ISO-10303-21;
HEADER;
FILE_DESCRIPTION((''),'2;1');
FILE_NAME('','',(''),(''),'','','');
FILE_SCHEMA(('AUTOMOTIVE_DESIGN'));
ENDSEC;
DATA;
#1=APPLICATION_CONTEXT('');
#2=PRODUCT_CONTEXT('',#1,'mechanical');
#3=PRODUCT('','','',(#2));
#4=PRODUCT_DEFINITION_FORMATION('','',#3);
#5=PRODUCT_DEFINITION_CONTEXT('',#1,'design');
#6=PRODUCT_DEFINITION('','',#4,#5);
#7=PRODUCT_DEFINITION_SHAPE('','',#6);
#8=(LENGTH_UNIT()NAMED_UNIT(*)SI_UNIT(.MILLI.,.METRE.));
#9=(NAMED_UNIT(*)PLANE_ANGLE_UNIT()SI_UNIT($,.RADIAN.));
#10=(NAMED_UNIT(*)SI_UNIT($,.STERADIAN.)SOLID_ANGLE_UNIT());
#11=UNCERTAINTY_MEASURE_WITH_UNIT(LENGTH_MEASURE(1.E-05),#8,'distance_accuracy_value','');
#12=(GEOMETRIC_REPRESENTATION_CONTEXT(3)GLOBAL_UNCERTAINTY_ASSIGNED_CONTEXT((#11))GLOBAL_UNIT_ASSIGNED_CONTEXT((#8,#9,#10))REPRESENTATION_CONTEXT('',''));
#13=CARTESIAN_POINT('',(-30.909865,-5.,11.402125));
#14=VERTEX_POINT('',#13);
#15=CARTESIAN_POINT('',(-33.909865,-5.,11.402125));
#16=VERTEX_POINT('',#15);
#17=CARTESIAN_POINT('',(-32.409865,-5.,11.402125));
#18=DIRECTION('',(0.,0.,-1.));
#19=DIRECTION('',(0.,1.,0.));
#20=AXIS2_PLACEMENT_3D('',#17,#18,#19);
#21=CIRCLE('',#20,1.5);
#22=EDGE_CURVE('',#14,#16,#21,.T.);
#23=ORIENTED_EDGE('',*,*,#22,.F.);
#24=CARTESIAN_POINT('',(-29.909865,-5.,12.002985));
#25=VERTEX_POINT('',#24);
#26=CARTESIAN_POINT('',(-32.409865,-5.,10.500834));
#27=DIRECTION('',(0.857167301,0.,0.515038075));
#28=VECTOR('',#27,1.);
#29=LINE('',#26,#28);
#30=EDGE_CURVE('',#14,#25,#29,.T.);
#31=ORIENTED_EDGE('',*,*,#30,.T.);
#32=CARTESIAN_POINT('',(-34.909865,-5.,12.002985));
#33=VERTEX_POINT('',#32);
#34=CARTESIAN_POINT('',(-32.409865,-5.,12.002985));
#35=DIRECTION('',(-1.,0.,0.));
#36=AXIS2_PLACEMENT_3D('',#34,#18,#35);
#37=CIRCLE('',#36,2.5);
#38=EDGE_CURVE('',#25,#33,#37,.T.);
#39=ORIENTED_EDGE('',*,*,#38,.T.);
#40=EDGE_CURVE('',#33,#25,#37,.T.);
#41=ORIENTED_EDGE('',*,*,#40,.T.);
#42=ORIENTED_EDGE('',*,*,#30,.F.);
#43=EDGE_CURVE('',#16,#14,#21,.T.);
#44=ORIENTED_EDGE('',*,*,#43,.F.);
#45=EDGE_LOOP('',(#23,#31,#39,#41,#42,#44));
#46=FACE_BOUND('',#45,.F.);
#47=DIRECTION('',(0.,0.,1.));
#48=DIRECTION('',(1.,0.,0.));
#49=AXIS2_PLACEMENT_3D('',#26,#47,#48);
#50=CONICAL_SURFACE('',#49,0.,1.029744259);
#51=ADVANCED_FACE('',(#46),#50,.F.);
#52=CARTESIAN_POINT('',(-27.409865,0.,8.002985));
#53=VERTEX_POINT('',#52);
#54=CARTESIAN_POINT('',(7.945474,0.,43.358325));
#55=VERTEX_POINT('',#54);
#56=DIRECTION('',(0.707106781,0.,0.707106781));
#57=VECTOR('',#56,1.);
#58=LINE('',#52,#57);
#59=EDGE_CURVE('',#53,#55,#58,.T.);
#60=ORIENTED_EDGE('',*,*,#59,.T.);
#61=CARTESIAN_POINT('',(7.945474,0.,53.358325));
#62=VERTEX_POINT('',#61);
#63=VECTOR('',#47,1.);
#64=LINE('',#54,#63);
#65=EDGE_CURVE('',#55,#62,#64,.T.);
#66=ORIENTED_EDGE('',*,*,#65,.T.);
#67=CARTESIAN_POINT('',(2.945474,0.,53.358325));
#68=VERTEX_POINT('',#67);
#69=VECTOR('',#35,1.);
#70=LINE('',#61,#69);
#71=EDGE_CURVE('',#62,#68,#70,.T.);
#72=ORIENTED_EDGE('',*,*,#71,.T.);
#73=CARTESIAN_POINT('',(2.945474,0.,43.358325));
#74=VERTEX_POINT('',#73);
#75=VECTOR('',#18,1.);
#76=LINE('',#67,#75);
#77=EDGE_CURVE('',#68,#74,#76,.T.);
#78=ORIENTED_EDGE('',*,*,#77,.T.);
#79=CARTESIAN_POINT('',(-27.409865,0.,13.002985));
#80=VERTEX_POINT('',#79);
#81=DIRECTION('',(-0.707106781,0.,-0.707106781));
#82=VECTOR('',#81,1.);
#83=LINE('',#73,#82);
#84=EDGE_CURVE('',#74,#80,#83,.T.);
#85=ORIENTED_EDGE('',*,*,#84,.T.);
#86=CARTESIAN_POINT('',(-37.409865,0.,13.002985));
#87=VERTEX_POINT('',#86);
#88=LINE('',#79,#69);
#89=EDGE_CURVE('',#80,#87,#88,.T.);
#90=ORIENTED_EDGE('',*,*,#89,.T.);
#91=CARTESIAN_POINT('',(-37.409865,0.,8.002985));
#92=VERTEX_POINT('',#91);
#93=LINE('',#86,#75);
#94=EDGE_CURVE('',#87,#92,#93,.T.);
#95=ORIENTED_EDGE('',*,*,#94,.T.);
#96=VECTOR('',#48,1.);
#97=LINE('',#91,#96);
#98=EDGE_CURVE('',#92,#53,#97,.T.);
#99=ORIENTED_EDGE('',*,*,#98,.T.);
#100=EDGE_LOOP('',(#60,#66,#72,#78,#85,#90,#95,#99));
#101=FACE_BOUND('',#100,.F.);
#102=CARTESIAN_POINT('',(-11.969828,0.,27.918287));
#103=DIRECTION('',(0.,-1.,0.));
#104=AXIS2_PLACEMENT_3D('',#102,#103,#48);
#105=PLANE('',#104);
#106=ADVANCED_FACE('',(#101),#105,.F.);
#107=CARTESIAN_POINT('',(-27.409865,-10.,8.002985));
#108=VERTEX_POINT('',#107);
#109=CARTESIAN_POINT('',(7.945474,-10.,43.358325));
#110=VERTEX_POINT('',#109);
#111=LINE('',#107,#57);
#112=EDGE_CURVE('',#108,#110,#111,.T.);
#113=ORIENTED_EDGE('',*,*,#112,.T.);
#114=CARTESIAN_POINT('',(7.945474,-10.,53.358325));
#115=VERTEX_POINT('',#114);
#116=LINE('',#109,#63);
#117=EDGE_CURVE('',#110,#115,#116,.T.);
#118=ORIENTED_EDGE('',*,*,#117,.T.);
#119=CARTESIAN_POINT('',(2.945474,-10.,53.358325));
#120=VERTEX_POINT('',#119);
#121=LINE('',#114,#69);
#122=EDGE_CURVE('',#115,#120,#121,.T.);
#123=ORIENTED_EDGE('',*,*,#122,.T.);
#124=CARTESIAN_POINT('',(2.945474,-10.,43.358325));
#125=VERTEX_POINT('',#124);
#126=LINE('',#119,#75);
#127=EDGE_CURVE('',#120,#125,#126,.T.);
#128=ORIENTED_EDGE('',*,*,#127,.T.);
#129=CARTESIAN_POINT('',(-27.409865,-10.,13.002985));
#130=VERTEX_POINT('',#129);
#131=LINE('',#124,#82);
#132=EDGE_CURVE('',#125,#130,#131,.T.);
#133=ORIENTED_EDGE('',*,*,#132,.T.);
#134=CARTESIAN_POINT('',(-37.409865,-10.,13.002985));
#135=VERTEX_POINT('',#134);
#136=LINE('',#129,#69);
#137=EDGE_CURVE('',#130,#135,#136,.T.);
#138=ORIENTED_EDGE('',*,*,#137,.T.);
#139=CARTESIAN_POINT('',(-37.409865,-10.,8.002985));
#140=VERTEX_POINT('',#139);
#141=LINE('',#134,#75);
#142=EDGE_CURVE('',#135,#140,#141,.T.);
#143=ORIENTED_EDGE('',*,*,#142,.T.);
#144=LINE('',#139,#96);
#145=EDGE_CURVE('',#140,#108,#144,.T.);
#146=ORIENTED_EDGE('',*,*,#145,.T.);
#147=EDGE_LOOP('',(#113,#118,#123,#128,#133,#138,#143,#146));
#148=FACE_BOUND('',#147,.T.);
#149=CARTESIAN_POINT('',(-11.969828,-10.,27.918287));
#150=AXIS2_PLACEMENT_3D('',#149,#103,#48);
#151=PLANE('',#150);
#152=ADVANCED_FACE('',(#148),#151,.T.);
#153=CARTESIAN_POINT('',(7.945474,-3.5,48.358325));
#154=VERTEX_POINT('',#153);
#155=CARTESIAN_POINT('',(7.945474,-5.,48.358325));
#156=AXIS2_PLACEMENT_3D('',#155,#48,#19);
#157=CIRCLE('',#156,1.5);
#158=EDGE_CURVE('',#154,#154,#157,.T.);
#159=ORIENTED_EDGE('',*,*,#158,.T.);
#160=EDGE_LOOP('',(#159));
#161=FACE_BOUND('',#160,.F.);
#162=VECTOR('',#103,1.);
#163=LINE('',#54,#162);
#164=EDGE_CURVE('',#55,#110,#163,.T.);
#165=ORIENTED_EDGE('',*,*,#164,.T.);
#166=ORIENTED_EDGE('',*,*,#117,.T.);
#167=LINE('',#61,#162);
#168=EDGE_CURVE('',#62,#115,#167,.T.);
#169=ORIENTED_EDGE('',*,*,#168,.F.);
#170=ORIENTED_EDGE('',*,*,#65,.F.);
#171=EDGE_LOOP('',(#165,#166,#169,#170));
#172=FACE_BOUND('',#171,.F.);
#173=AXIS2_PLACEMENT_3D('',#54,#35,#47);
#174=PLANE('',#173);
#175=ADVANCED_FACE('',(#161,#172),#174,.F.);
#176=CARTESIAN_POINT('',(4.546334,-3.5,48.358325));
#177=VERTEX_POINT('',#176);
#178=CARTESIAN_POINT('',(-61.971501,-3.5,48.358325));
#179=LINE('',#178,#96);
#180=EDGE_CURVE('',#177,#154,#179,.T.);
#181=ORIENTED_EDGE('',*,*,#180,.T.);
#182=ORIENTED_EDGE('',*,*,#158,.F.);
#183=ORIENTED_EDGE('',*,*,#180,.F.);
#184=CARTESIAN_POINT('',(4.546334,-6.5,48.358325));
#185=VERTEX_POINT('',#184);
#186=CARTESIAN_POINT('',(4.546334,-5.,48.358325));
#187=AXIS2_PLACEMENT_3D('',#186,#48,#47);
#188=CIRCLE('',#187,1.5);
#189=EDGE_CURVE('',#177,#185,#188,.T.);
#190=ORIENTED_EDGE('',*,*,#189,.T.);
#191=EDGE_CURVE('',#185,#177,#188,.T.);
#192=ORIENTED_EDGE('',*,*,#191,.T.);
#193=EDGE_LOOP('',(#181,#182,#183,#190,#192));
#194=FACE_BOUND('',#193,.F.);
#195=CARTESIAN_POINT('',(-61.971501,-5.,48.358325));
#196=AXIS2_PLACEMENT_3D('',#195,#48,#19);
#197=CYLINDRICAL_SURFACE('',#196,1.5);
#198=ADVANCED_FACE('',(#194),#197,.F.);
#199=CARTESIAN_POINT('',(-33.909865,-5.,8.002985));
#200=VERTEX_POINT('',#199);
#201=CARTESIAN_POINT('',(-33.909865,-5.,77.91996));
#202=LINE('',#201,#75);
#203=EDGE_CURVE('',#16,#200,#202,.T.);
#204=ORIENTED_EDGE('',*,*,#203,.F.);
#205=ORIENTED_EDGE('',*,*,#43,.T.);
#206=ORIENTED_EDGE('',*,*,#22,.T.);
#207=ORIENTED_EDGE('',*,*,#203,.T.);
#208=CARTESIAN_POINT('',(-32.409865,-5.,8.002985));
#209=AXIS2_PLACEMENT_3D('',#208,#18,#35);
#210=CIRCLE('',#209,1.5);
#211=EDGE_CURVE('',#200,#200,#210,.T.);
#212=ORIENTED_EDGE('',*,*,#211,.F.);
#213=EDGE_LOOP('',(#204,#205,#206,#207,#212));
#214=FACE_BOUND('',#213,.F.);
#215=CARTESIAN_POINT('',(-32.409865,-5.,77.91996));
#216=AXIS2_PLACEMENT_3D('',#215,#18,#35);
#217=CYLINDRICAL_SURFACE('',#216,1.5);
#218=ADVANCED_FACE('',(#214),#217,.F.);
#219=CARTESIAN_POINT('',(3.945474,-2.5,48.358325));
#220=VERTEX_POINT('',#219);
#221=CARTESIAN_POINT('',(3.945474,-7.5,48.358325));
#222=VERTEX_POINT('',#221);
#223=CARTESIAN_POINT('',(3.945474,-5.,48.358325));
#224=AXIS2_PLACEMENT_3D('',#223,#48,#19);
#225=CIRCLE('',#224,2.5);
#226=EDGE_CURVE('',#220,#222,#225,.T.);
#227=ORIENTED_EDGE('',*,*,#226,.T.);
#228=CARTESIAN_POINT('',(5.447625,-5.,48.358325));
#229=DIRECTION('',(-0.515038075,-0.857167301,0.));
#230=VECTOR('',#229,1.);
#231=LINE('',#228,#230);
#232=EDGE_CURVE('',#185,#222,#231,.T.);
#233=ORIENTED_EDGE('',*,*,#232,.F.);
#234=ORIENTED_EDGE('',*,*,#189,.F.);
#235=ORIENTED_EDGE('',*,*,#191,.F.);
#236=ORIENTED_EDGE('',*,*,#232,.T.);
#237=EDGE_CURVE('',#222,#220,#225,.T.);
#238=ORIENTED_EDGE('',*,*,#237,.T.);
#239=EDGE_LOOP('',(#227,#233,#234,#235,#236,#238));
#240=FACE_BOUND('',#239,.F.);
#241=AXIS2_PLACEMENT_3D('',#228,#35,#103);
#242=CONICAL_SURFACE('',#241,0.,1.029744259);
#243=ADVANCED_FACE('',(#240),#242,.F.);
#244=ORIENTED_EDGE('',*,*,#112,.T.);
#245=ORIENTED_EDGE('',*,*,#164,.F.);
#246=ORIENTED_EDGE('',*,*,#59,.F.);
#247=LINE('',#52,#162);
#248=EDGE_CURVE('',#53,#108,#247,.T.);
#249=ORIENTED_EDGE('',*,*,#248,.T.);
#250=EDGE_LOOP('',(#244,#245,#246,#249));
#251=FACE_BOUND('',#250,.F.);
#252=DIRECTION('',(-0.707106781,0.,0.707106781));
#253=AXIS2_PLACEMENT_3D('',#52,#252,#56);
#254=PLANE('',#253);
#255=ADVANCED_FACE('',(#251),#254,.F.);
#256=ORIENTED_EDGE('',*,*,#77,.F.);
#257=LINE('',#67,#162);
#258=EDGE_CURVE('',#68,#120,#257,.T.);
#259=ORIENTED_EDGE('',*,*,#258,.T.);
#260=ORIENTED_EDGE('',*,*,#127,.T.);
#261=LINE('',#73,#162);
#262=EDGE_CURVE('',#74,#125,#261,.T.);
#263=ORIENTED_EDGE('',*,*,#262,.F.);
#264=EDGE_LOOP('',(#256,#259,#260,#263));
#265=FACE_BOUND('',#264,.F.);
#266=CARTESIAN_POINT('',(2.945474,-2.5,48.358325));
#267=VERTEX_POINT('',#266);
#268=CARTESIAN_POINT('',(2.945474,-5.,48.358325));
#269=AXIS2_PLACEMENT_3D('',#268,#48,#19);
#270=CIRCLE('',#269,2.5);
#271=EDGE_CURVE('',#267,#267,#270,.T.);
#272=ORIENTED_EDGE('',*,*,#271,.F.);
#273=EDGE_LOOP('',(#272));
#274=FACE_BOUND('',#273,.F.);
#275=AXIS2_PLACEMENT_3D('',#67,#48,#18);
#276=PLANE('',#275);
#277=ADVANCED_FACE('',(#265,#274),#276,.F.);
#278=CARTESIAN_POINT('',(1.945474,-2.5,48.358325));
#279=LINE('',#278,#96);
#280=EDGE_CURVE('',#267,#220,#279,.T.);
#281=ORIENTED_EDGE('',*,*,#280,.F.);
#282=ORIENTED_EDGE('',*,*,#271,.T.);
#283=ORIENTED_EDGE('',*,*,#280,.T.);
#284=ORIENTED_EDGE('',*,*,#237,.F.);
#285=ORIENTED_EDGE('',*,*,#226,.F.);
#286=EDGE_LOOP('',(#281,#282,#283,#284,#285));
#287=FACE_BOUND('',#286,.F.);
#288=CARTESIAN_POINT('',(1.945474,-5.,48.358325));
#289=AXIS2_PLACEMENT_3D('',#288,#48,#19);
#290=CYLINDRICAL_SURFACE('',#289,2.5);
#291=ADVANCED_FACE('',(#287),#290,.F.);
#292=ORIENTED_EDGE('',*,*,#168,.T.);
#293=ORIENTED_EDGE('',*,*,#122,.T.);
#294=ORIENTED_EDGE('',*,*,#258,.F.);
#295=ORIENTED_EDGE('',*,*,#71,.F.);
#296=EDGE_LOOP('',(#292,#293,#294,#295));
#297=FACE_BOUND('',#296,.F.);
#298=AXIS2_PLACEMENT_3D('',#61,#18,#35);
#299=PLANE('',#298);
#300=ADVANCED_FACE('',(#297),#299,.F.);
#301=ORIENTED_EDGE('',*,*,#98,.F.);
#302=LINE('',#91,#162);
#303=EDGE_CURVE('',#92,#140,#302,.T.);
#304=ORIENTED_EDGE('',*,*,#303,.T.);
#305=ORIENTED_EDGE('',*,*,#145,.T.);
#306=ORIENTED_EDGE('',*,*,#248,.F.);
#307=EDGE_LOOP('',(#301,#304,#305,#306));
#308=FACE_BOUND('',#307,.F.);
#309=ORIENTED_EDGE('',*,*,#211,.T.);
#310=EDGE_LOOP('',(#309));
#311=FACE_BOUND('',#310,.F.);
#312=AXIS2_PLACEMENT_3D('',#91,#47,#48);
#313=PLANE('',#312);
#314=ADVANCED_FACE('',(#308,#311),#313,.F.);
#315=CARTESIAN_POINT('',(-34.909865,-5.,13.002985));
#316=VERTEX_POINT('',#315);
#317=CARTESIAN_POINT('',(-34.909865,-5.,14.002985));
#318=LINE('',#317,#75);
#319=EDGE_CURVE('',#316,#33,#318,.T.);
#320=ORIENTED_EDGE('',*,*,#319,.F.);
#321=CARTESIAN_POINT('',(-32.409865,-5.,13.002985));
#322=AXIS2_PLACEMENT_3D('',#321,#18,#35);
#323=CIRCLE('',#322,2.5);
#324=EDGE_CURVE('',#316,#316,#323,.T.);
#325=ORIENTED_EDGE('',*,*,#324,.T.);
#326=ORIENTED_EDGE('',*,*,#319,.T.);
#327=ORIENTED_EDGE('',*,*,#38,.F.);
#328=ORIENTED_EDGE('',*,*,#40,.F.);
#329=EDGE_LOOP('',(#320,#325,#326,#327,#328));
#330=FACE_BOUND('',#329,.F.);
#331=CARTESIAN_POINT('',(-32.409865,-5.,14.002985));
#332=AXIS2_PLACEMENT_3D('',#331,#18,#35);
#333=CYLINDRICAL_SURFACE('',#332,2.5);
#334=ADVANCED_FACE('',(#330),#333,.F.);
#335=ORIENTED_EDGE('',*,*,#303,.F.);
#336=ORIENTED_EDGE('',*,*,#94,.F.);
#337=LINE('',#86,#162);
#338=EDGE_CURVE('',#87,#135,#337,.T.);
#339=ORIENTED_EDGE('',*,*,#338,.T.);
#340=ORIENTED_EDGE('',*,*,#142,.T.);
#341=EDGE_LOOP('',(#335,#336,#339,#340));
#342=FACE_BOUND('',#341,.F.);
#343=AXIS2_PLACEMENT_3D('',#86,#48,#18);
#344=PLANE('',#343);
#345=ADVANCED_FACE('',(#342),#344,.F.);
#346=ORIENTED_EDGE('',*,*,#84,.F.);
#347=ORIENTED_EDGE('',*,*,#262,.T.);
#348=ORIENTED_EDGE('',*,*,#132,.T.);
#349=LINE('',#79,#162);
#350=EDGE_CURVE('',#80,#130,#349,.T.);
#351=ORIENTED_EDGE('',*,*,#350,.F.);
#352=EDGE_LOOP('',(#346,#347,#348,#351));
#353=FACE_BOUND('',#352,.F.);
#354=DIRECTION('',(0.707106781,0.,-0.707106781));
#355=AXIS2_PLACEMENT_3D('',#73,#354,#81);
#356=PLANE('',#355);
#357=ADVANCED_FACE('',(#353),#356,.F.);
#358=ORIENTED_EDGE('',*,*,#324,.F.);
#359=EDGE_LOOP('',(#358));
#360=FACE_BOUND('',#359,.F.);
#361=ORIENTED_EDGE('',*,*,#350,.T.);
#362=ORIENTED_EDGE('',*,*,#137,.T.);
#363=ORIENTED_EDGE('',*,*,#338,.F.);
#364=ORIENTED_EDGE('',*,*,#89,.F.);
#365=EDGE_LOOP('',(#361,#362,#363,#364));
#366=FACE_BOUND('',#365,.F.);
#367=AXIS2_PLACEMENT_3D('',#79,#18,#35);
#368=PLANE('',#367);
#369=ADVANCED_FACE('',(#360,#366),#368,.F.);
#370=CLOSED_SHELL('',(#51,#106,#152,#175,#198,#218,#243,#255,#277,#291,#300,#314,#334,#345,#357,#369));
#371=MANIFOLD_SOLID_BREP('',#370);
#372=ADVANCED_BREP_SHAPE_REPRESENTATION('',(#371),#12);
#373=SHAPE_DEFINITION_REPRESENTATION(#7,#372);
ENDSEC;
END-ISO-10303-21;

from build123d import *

# Parameters (mm, degrees)
F1_DEPTH = 10
F3_D     = 5
F3_DEPTH = 1
F3_TIP   = 1.5021515476
F5_D     = 5
F5_DEPTH = 1
F5_TIP   = 1.5021515476
F7_D     = 3
F9_D     = 3


with BuildPart() as f1:
    # F0 (on Front) → F1 (new body)
    with BuildSketch(Plane.XZ):
        Polygon((7.9454735894, 53.3583245364), (2.9454735894, 53.3583245364), (2.9454735894, 43.3583245364), (-27.4098654699, 13.0029854771), (-37.4098654699, 13.0029854771), (-37.4098654699, 8.0029854771), (-27.4098654699, 8.0029854771), (7.9454735894, 43.3583245364), align=None)
    extrude(amount=F1_DEPTH)

    # F3
    with Locations(Plane(origin=(2.9454735894, 0, 0), x_dir=(0, -1, 0), z_dir=(-1, 0, 0))):
        with Locations((5, 48.3583245364)):
            Hole(F3_D / 2, depth=F3_DEPTH)
            with Locations((0, 0, -(F3_DEPTH + F3_TIP / 2))):  # 118° drill point
                Cone(0, F3_D / 2, F3_TIP, mode=Mode.SUBTRACT)

    # F5
    with Locations(Plane.XY.offset(13.0029854771)):
        with Locations((-32.4098654699, -5)):
            Hole(F5_D / 2, depth=F5_DEPTH)
            with Locations((0, 0, -(F5_DEPTH + F5_TIP / 2))):  # 118° drill point
                Cone(0, F5_D / 2, F5_TIP, mode=Mode.SUBTRACT)

    # F7 (through all)
    with Locations(Plane.XY.offset(13.0029854771)):
        with Locations((-32.4098654699, -5)):
            Hole(F7_D / 2)

    # F9 (through all)
    with Locations(Plane(origin=(2.9454735894, 0, 0), x_dir=(0, -1, 0), z_dir=(-1, 0, 0))):
        with Locations((5, 48.3583245364)):
            Hole(F9_D / 2)


solid = f1.part
